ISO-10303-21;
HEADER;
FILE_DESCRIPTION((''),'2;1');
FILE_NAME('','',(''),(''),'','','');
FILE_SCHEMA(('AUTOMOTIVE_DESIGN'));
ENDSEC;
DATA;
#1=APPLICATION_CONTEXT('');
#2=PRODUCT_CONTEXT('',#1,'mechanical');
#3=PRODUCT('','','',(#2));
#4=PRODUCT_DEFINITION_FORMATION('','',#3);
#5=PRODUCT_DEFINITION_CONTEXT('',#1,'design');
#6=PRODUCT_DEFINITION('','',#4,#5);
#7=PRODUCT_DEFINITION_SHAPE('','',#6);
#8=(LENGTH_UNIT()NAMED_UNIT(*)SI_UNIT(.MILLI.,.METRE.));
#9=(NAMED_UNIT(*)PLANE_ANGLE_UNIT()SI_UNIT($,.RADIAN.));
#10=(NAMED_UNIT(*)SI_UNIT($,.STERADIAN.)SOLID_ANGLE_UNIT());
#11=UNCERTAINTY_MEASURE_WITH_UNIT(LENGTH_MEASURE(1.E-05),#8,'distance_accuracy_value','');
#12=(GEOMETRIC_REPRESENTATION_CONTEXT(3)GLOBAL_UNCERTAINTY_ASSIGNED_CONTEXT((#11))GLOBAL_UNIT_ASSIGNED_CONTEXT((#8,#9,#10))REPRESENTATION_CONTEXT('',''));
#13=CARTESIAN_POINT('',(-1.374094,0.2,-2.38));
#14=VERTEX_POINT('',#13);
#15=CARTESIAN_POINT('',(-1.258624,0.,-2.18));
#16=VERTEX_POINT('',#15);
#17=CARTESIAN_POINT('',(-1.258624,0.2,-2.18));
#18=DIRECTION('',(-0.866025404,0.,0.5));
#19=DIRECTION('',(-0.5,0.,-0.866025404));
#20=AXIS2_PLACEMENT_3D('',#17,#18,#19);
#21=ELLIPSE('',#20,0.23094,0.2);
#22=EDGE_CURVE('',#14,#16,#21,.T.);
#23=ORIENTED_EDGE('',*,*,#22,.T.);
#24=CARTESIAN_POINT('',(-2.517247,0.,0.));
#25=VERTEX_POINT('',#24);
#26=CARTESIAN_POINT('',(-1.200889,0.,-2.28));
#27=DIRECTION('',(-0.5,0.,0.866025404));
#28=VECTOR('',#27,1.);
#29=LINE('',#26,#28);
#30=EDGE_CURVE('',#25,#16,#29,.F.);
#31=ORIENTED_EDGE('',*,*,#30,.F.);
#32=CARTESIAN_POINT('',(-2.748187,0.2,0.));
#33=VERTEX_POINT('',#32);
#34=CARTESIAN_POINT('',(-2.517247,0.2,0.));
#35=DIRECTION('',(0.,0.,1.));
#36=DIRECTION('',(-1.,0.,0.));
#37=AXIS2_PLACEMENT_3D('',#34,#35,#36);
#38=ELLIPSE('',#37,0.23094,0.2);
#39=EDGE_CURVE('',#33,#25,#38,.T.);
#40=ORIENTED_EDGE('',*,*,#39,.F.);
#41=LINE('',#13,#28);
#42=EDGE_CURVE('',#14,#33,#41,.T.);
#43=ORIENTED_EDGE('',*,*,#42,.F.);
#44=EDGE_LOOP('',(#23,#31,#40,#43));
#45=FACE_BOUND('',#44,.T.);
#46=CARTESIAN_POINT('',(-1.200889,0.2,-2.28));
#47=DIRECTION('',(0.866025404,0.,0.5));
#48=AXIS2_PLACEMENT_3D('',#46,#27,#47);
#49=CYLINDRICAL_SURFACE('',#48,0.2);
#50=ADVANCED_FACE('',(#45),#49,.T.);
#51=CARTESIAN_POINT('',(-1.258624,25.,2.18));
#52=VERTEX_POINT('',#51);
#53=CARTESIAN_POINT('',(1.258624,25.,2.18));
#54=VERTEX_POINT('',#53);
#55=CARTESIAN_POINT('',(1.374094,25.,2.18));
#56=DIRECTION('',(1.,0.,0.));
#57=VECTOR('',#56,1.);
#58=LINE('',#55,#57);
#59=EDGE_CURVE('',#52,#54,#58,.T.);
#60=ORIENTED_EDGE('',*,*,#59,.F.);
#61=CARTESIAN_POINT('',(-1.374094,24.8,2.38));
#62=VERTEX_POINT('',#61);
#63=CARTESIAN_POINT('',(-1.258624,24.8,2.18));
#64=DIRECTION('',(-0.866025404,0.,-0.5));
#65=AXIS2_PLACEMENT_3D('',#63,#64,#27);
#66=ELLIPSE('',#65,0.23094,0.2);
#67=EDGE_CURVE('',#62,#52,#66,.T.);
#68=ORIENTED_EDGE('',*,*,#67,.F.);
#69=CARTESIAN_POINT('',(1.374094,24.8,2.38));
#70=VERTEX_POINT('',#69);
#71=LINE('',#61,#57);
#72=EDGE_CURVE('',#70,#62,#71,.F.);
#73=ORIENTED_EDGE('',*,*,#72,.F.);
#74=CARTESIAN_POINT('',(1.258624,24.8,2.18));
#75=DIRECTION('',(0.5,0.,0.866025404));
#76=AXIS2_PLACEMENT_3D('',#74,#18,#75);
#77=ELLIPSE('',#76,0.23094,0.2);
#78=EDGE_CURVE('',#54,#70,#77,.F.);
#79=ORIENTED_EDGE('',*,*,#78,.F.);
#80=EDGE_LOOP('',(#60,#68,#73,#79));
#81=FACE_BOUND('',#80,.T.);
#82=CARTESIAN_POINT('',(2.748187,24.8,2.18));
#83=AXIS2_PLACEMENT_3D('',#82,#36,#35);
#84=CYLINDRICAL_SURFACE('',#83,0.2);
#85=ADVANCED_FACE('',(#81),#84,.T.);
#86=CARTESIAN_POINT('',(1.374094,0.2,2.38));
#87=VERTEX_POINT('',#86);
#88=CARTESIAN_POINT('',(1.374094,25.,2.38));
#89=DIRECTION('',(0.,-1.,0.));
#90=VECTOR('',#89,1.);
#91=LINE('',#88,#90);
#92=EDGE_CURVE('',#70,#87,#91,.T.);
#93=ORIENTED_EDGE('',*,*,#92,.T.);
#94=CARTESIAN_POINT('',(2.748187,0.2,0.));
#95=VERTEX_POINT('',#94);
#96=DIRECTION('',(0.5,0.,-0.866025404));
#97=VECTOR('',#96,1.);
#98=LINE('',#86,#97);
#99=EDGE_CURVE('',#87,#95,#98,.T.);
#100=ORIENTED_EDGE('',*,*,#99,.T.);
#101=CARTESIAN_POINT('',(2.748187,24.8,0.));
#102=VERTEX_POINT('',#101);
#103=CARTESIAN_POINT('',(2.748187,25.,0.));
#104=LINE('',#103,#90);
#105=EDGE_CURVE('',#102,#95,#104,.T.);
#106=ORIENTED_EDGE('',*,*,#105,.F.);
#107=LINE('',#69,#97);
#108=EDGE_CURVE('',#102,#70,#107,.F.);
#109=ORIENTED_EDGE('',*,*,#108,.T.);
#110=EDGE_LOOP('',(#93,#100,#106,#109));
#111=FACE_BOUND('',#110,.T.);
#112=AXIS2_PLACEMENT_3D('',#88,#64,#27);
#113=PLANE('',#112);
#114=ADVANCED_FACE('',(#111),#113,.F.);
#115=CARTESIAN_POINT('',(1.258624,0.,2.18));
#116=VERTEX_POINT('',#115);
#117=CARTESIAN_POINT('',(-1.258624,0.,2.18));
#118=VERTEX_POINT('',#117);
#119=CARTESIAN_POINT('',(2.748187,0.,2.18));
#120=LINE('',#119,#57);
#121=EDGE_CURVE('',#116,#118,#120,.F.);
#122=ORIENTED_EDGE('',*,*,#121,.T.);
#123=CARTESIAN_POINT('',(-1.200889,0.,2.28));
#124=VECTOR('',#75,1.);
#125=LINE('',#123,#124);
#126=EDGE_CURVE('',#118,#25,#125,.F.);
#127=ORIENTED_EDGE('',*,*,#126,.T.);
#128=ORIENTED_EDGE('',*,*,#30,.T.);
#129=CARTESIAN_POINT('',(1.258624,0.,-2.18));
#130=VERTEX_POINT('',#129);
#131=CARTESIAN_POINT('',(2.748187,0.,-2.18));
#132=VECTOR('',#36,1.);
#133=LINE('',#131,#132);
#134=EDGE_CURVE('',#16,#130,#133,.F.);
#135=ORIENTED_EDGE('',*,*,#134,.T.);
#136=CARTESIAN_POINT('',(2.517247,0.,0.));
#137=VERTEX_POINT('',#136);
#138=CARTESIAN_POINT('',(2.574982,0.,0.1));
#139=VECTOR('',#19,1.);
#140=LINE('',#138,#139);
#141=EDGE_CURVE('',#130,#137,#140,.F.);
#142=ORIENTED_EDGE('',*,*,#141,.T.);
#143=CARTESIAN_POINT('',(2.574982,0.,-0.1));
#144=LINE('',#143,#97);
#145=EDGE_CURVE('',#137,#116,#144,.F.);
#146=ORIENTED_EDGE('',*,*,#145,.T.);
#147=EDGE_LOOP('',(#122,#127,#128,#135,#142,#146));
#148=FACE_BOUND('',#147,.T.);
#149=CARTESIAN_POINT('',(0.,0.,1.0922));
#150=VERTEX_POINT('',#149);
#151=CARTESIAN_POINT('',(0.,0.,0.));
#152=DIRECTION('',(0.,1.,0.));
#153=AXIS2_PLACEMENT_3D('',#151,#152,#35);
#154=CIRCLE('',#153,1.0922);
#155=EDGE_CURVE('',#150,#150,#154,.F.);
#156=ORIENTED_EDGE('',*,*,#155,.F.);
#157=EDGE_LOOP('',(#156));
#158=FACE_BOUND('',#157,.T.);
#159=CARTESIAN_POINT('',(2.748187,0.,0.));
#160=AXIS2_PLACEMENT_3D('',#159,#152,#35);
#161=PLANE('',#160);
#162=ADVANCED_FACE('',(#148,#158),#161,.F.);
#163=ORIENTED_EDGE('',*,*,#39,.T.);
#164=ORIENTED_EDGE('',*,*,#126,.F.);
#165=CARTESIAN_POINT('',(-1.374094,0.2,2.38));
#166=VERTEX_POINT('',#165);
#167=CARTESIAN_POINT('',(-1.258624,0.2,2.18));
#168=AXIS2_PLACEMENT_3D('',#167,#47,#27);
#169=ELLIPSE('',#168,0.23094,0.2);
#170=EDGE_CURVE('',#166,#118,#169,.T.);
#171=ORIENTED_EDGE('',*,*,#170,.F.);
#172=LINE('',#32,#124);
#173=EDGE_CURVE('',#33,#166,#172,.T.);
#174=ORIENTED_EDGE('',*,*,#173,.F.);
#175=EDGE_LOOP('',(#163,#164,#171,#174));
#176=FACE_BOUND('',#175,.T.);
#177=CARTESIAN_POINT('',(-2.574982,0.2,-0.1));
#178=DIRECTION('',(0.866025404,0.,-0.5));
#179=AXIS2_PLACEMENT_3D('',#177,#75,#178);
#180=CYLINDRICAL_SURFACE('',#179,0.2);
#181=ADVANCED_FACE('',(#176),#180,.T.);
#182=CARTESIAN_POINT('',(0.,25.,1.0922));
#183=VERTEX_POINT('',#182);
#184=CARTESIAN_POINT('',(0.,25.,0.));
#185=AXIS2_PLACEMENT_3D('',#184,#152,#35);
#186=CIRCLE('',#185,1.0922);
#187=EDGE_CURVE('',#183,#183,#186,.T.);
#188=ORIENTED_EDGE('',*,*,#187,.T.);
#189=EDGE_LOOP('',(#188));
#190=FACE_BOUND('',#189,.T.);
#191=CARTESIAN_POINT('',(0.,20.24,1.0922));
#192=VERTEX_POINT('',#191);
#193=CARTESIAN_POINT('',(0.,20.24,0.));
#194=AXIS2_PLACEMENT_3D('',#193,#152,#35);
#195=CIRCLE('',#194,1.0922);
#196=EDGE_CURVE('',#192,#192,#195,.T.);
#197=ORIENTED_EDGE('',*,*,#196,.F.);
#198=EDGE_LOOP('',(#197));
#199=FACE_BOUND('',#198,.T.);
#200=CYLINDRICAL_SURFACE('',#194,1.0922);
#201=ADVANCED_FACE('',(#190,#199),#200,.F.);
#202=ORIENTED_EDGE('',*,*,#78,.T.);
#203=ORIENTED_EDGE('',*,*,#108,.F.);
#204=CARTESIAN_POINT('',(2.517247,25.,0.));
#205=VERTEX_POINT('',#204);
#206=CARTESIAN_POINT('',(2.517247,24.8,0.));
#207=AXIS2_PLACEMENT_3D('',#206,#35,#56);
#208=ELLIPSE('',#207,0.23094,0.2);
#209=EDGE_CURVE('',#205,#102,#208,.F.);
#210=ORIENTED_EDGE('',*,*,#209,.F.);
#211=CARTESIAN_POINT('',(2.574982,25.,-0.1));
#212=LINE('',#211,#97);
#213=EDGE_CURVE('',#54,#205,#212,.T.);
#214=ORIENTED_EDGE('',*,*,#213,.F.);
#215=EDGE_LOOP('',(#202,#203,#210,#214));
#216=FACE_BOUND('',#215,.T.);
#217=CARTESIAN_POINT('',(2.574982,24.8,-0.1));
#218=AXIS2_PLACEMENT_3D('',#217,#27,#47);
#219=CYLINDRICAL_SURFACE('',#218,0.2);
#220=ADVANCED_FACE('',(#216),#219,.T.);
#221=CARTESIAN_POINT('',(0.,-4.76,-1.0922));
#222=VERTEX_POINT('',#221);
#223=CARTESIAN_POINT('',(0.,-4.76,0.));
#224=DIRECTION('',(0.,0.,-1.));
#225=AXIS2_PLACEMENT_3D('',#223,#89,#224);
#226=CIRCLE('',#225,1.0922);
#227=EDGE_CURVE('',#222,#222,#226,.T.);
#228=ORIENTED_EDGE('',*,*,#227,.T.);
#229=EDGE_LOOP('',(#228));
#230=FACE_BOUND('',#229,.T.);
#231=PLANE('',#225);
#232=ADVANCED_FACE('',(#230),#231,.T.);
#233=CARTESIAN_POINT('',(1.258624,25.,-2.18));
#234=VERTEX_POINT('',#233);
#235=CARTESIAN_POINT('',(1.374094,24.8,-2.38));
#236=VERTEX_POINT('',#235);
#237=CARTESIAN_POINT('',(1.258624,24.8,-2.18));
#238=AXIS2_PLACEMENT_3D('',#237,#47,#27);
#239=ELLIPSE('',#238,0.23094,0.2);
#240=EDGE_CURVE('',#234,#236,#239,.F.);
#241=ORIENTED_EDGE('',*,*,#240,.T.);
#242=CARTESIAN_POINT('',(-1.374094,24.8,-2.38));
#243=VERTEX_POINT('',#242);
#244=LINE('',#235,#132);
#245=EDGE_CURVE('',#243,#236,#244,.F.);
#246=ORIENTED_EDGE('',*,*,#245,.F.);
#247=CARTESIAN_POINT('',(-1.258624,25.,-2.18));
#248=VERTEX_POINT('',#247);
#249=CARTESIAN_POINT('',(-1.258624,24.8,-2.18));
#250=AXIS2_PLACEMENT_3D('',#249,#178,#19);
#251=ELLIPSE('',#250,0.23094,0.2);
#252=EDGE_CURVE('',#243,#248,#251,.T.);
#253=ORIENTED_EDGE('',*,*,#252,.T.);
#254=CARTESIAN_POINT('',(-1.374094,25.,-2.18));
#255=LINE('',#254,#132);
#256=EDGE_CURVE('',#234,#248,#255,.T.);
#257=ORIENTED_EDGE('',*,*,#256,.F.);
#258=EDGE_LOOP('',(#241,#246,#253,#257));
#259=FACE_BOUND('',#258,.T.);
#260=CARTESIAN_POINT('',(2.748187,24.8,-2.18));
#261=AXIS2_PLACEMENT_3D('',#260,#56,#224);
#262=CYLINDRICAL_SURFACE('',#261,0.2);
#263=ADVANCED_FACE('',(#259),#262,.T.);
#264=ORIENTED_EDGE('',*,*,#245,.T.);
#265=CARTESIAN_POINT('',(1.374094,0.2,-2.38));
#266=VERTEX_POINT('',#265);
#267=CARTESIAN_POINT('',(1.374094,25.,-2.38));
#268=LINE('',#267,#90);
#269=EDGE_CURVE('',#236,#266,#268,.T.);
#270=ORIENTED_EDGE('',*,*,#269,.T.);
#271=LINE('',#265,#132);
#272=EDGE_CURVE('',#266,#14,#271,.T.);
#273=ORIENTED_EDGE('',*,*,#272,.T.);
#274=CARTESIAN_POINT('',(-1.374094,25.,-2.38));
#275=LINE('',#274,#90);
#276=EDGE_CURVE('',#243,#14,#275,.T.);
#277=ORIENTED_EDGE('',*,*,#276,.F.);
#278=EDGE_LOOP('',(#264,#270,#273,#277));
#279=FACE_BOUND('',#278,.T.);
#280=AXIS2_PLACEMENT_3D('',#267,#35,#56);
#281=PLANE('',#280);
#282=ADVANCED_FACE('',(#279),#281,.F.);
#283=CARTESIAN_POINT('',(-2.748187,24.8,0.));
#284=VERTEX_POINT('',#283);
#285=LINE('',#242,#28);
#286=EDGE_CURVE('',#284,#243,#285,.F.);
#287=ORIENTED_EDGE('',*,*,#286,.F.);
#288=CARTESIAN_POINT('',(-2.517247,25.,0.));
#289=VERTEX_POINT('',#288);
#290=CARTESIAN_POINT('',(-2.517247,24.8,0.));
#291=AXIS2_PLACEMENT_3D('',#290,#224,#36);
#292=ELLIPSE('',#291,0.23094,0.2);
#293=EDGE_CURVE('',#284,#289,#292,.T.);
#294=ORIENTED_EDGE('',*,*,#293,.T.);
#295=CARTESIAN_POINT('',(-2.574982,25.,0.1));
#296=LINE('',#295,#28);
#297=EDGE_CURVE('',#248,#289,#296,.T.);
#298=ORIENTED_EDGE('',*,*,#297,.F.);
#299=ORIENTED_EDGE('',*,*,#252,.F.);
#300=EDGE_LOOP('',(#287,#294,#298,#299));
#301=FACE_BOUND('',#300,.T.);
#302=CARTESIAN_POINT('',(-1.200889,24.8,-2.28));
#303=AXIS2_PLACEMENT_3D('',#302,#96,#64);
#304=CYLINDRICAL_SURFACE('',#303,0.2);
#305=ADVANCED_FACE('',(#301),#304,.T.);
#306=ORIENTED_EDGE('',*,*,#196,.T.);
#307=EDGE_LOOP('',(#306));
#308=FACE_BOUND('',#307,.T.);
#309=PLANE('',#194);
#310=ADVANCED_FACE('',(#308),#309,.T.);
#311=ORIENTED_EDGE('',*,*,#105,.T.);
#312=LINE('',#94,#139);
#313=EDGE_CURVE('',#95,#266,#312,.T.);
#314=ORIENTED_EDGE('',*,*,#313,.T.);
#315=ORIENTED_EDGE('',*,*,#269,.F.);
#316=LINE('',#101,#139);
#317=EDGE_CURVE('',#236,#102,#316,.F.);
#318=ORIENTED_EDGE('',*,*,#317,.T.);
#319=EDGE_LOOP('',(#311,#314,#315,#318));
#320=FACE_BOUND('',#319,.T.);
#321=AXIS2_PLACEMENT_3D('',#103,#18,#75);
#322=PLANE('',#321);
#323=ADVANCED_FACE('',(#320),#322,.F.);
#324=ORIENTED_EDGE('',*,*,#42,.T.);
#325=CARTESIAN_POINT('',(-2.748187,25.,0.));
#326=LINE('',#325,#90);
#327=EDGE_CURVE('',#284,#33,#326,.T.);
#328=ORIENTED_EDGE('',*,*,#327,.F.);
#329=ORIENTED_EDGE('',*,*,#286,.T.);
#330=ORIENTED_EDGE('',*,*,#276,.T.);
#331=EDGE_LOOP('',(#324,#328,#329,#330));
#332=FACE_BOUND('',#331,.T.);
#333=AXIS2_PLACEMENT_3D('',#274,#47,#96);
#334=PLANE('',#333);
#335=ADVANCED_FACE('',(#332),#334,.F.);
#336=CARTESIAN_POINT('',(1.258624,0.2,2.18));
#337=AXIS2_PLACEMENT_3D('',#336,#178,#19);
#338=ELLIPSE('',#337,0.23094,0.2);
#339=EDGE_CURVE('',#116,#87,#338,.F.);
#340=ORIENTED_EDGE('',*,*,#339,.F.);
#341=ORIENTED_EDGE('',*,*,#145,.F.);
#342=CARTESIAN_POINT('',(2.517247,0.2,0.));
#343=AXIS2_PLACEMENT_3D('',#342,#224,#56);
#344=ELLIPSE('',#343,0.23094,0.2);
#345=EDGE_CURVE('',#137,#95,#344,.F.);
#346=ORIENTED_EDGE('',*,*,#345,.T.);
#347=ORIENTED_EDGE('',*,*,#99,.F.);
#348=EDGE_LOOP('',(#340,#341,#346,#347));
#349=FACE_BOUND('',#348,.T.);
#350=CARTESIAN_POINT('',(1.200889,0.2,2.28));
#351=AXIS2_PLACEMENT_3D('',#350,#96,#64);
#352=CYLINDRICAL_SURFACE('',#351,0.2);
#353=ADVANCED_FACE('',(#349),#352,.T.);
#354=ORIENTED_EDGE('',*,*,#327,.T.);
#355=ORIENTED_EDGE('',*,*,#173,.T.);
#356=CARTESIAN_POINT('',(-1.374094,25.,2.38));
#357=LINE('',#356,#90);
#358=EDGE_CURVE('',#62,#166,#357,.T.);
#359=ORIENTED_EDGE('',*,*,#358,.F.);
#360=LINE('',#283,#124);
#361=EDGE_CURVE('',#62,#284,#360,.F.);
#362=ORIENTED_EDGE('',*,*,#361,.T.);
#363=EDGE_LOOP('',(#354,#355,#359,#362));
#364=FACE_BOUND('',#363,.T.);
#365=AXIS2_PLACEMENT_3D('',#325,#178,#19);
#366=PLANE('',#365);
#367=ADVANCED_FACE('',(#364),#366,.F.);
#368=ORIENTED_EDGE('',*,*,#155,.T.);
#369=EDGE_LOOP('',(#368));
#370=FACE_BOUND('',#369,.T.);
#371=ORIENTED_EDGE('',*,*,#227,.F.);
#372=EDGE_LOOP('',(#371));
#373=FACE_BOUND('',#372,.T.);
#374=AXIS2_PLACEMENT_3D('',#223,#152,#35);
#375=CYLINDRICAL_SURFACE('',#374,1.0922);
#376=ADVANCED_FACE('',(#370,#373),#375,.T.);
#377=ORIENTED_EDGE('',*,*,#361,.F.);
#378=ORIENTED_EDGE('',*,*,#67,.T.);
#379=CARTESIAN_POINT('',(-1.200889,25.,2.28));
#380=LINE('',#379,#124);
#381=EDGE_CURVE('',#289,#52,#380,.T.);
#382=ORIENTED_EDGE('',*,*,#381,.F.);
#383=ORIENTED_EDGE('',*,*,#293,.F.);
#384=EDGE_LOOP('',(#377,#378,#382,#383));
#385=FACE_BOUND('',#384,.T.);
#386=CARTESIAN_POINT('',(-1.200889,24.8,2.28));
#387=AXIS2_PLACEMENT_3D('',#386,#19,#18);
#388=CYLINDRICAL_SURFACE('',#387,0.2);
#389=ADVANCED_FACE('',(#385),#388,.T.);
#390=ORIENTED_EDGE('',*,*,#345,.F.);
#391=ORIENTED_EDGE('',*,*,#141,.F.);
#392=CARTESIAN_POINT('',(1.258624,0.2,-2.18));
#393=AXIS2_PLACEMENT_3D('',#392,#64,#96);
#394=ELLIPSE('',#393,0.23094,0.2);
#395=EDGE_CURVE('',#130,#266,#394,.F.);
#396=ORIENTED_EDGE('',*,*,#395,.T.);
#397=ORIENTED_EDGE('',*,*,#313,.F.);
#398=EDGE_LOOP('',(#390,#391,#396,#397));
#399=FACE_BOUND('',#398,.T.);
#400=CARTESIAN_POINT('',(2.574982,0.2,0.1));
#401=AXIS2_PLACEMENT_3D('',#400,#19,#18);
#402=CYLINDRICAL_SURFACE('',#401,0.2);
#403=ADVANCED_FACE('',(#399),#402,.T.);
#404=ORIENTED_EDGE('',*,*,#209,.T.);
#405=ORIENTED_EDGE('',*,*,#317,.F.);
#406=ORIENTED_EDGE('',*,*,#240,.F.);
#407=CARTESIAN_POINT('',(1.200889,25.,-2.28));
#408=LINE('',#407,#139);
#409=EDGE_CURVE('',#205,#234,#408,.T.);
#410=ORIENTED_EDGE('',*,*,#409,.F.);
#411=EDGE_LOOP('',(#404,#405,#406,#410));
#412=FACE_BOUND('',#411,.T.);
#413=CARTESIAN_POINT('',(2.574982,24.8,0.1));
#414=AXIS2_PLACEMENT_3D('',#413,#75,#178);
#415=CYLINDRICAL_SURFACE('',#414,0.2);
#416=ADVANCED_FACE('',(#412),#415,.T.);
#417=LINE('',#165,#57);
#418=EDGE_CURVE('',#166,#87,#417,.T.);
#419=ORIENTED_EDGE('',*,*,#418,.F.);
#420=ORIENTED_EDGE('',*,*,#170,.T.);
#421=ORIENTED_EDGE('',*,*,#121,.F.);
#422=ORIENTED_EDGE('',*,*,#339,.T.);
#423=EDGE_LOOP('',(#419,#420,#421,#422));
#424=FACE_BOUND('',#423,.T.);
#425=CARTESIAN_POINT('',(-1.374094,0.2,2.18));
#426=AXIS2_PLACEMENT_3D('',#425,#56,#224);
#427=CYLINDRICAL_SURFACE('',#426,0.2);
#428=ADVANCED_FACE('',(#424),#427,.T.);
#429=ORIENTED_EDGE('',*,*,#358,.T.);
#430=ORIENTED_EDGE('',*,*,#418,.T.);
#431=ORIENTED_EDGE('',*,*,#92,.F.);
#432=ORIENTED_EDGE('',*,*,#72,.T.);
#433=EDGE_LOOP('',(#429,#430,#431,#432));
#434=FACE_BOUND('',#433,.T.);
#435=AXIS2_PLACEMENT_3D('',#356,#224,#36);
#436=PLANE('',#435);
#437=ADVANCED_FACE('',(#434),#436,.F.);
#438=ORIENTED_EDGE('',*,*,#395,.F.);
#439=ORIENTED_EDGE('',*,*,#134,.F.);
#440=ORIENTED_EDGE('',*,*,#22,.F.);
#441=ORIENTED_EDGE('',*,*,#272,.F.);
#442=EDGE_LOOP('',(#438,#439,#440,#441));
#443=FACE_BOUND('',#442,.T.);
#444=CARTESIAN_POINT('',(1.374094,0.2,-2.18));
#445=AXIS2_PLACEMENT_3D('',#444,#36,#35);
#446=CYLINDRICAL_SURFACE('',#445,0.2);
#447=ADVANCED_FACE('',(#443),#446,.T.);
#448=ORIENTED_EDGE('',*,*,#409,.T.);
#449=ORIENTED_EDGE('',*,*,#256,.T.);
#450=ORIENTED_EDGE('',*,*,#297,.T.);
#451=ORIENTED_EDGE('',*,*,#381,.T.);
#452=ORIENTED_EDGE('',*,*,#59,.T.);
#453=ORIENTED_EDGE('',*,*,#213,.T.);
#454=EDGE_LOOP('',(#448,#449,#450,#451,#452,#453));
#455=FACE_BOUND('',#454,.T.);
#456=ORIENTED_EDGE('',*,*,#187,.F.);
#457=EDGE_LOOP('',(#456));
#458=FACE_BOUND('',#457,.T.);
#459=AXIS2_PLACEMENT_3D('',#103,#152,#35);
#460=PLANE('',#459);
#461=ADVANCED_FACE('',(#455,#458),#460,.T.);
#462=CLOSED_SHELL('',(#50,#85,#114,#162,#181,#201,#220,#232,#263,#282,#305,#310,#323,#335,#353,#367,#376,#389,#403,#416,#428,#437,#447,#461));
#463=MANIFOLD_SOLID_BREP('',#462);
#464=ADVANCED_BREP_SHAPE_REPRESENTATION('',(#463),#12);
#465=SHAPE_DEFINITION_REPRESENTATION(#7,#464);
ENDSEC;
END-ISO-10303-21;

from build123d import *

# Parameters (mm, degrees)
RESSALTO_EXTRUS_O1_DEPTH = 25
FILETE1_R                = 0.2
ESBO_O2_R                = 1.0922
RESSALTO_EXTRUS_O2_DEPTH = 4.76
ESBO_O3_R                = 1.0922
CORTE_EXTRUS_O1_DEPTH    = 4.76


with BuildPart() as part:
    # Esboço1 → Ressalto-extrusão1 (new body)
    with BuildSketch(Plane(origin=(0, 0, 0), x_dir=(1, 0, 0), z_dir=(0, 1, 0))):
        Polygon((2.748187281, 0), (1.374093641, 2.38), (-1.374093641, 2.38), (-2.748187281, 0), (-1.374093641, -2.38), (1.374093641, -2.38), align=None)
    extrude(amount=RESSALTO_EXTRUS_O1_DEPTH)

    # Filete1
    filete1_edges = [part.edges().sort_by_distance(p)[0] for p in [
        (0, 25, -2.38),
        (-2.061140461, 25, -1.19),
        (-2.061140461, 25, 1.19),
        (0, 25, 2.38),
        (2.061140461, 25, 1.19),
        (0, 0, 2.38),
        (-2.061140461, 0, 1.19),
        (-2.061140461, 0, -1.19),
        (2.061140461, 25, -1.19),
        (0, 0, -2.38),
        (2.061140461, 0, -1.19),
        (2.061140461, 0, 1.19),
    ]]
    fillet(filete1_edges, radius=FILETE1_R)

    # Esboço2 → Ressalto-extrusão2 (add)
    with BuildSketch(Plane.XZ):
        Circle(ESBO_O2_R)
    extrude(amount=RESSALTO_EXTRUS_O2_DEPTH)

    # Esboço3 → Corte-extrusão1 (cut)
    with BuildSketch(Plane(origin=(0, 25, 0), x_dir=(1, 0, 0), z_dir=(0, 1, 0))):
        Circle(ESBO_O3_R)
    extrude(amount=-CORTE_EXTRUS_O1_DEPTH, mode=Mode.SUBTRACT)


solid = part.part
